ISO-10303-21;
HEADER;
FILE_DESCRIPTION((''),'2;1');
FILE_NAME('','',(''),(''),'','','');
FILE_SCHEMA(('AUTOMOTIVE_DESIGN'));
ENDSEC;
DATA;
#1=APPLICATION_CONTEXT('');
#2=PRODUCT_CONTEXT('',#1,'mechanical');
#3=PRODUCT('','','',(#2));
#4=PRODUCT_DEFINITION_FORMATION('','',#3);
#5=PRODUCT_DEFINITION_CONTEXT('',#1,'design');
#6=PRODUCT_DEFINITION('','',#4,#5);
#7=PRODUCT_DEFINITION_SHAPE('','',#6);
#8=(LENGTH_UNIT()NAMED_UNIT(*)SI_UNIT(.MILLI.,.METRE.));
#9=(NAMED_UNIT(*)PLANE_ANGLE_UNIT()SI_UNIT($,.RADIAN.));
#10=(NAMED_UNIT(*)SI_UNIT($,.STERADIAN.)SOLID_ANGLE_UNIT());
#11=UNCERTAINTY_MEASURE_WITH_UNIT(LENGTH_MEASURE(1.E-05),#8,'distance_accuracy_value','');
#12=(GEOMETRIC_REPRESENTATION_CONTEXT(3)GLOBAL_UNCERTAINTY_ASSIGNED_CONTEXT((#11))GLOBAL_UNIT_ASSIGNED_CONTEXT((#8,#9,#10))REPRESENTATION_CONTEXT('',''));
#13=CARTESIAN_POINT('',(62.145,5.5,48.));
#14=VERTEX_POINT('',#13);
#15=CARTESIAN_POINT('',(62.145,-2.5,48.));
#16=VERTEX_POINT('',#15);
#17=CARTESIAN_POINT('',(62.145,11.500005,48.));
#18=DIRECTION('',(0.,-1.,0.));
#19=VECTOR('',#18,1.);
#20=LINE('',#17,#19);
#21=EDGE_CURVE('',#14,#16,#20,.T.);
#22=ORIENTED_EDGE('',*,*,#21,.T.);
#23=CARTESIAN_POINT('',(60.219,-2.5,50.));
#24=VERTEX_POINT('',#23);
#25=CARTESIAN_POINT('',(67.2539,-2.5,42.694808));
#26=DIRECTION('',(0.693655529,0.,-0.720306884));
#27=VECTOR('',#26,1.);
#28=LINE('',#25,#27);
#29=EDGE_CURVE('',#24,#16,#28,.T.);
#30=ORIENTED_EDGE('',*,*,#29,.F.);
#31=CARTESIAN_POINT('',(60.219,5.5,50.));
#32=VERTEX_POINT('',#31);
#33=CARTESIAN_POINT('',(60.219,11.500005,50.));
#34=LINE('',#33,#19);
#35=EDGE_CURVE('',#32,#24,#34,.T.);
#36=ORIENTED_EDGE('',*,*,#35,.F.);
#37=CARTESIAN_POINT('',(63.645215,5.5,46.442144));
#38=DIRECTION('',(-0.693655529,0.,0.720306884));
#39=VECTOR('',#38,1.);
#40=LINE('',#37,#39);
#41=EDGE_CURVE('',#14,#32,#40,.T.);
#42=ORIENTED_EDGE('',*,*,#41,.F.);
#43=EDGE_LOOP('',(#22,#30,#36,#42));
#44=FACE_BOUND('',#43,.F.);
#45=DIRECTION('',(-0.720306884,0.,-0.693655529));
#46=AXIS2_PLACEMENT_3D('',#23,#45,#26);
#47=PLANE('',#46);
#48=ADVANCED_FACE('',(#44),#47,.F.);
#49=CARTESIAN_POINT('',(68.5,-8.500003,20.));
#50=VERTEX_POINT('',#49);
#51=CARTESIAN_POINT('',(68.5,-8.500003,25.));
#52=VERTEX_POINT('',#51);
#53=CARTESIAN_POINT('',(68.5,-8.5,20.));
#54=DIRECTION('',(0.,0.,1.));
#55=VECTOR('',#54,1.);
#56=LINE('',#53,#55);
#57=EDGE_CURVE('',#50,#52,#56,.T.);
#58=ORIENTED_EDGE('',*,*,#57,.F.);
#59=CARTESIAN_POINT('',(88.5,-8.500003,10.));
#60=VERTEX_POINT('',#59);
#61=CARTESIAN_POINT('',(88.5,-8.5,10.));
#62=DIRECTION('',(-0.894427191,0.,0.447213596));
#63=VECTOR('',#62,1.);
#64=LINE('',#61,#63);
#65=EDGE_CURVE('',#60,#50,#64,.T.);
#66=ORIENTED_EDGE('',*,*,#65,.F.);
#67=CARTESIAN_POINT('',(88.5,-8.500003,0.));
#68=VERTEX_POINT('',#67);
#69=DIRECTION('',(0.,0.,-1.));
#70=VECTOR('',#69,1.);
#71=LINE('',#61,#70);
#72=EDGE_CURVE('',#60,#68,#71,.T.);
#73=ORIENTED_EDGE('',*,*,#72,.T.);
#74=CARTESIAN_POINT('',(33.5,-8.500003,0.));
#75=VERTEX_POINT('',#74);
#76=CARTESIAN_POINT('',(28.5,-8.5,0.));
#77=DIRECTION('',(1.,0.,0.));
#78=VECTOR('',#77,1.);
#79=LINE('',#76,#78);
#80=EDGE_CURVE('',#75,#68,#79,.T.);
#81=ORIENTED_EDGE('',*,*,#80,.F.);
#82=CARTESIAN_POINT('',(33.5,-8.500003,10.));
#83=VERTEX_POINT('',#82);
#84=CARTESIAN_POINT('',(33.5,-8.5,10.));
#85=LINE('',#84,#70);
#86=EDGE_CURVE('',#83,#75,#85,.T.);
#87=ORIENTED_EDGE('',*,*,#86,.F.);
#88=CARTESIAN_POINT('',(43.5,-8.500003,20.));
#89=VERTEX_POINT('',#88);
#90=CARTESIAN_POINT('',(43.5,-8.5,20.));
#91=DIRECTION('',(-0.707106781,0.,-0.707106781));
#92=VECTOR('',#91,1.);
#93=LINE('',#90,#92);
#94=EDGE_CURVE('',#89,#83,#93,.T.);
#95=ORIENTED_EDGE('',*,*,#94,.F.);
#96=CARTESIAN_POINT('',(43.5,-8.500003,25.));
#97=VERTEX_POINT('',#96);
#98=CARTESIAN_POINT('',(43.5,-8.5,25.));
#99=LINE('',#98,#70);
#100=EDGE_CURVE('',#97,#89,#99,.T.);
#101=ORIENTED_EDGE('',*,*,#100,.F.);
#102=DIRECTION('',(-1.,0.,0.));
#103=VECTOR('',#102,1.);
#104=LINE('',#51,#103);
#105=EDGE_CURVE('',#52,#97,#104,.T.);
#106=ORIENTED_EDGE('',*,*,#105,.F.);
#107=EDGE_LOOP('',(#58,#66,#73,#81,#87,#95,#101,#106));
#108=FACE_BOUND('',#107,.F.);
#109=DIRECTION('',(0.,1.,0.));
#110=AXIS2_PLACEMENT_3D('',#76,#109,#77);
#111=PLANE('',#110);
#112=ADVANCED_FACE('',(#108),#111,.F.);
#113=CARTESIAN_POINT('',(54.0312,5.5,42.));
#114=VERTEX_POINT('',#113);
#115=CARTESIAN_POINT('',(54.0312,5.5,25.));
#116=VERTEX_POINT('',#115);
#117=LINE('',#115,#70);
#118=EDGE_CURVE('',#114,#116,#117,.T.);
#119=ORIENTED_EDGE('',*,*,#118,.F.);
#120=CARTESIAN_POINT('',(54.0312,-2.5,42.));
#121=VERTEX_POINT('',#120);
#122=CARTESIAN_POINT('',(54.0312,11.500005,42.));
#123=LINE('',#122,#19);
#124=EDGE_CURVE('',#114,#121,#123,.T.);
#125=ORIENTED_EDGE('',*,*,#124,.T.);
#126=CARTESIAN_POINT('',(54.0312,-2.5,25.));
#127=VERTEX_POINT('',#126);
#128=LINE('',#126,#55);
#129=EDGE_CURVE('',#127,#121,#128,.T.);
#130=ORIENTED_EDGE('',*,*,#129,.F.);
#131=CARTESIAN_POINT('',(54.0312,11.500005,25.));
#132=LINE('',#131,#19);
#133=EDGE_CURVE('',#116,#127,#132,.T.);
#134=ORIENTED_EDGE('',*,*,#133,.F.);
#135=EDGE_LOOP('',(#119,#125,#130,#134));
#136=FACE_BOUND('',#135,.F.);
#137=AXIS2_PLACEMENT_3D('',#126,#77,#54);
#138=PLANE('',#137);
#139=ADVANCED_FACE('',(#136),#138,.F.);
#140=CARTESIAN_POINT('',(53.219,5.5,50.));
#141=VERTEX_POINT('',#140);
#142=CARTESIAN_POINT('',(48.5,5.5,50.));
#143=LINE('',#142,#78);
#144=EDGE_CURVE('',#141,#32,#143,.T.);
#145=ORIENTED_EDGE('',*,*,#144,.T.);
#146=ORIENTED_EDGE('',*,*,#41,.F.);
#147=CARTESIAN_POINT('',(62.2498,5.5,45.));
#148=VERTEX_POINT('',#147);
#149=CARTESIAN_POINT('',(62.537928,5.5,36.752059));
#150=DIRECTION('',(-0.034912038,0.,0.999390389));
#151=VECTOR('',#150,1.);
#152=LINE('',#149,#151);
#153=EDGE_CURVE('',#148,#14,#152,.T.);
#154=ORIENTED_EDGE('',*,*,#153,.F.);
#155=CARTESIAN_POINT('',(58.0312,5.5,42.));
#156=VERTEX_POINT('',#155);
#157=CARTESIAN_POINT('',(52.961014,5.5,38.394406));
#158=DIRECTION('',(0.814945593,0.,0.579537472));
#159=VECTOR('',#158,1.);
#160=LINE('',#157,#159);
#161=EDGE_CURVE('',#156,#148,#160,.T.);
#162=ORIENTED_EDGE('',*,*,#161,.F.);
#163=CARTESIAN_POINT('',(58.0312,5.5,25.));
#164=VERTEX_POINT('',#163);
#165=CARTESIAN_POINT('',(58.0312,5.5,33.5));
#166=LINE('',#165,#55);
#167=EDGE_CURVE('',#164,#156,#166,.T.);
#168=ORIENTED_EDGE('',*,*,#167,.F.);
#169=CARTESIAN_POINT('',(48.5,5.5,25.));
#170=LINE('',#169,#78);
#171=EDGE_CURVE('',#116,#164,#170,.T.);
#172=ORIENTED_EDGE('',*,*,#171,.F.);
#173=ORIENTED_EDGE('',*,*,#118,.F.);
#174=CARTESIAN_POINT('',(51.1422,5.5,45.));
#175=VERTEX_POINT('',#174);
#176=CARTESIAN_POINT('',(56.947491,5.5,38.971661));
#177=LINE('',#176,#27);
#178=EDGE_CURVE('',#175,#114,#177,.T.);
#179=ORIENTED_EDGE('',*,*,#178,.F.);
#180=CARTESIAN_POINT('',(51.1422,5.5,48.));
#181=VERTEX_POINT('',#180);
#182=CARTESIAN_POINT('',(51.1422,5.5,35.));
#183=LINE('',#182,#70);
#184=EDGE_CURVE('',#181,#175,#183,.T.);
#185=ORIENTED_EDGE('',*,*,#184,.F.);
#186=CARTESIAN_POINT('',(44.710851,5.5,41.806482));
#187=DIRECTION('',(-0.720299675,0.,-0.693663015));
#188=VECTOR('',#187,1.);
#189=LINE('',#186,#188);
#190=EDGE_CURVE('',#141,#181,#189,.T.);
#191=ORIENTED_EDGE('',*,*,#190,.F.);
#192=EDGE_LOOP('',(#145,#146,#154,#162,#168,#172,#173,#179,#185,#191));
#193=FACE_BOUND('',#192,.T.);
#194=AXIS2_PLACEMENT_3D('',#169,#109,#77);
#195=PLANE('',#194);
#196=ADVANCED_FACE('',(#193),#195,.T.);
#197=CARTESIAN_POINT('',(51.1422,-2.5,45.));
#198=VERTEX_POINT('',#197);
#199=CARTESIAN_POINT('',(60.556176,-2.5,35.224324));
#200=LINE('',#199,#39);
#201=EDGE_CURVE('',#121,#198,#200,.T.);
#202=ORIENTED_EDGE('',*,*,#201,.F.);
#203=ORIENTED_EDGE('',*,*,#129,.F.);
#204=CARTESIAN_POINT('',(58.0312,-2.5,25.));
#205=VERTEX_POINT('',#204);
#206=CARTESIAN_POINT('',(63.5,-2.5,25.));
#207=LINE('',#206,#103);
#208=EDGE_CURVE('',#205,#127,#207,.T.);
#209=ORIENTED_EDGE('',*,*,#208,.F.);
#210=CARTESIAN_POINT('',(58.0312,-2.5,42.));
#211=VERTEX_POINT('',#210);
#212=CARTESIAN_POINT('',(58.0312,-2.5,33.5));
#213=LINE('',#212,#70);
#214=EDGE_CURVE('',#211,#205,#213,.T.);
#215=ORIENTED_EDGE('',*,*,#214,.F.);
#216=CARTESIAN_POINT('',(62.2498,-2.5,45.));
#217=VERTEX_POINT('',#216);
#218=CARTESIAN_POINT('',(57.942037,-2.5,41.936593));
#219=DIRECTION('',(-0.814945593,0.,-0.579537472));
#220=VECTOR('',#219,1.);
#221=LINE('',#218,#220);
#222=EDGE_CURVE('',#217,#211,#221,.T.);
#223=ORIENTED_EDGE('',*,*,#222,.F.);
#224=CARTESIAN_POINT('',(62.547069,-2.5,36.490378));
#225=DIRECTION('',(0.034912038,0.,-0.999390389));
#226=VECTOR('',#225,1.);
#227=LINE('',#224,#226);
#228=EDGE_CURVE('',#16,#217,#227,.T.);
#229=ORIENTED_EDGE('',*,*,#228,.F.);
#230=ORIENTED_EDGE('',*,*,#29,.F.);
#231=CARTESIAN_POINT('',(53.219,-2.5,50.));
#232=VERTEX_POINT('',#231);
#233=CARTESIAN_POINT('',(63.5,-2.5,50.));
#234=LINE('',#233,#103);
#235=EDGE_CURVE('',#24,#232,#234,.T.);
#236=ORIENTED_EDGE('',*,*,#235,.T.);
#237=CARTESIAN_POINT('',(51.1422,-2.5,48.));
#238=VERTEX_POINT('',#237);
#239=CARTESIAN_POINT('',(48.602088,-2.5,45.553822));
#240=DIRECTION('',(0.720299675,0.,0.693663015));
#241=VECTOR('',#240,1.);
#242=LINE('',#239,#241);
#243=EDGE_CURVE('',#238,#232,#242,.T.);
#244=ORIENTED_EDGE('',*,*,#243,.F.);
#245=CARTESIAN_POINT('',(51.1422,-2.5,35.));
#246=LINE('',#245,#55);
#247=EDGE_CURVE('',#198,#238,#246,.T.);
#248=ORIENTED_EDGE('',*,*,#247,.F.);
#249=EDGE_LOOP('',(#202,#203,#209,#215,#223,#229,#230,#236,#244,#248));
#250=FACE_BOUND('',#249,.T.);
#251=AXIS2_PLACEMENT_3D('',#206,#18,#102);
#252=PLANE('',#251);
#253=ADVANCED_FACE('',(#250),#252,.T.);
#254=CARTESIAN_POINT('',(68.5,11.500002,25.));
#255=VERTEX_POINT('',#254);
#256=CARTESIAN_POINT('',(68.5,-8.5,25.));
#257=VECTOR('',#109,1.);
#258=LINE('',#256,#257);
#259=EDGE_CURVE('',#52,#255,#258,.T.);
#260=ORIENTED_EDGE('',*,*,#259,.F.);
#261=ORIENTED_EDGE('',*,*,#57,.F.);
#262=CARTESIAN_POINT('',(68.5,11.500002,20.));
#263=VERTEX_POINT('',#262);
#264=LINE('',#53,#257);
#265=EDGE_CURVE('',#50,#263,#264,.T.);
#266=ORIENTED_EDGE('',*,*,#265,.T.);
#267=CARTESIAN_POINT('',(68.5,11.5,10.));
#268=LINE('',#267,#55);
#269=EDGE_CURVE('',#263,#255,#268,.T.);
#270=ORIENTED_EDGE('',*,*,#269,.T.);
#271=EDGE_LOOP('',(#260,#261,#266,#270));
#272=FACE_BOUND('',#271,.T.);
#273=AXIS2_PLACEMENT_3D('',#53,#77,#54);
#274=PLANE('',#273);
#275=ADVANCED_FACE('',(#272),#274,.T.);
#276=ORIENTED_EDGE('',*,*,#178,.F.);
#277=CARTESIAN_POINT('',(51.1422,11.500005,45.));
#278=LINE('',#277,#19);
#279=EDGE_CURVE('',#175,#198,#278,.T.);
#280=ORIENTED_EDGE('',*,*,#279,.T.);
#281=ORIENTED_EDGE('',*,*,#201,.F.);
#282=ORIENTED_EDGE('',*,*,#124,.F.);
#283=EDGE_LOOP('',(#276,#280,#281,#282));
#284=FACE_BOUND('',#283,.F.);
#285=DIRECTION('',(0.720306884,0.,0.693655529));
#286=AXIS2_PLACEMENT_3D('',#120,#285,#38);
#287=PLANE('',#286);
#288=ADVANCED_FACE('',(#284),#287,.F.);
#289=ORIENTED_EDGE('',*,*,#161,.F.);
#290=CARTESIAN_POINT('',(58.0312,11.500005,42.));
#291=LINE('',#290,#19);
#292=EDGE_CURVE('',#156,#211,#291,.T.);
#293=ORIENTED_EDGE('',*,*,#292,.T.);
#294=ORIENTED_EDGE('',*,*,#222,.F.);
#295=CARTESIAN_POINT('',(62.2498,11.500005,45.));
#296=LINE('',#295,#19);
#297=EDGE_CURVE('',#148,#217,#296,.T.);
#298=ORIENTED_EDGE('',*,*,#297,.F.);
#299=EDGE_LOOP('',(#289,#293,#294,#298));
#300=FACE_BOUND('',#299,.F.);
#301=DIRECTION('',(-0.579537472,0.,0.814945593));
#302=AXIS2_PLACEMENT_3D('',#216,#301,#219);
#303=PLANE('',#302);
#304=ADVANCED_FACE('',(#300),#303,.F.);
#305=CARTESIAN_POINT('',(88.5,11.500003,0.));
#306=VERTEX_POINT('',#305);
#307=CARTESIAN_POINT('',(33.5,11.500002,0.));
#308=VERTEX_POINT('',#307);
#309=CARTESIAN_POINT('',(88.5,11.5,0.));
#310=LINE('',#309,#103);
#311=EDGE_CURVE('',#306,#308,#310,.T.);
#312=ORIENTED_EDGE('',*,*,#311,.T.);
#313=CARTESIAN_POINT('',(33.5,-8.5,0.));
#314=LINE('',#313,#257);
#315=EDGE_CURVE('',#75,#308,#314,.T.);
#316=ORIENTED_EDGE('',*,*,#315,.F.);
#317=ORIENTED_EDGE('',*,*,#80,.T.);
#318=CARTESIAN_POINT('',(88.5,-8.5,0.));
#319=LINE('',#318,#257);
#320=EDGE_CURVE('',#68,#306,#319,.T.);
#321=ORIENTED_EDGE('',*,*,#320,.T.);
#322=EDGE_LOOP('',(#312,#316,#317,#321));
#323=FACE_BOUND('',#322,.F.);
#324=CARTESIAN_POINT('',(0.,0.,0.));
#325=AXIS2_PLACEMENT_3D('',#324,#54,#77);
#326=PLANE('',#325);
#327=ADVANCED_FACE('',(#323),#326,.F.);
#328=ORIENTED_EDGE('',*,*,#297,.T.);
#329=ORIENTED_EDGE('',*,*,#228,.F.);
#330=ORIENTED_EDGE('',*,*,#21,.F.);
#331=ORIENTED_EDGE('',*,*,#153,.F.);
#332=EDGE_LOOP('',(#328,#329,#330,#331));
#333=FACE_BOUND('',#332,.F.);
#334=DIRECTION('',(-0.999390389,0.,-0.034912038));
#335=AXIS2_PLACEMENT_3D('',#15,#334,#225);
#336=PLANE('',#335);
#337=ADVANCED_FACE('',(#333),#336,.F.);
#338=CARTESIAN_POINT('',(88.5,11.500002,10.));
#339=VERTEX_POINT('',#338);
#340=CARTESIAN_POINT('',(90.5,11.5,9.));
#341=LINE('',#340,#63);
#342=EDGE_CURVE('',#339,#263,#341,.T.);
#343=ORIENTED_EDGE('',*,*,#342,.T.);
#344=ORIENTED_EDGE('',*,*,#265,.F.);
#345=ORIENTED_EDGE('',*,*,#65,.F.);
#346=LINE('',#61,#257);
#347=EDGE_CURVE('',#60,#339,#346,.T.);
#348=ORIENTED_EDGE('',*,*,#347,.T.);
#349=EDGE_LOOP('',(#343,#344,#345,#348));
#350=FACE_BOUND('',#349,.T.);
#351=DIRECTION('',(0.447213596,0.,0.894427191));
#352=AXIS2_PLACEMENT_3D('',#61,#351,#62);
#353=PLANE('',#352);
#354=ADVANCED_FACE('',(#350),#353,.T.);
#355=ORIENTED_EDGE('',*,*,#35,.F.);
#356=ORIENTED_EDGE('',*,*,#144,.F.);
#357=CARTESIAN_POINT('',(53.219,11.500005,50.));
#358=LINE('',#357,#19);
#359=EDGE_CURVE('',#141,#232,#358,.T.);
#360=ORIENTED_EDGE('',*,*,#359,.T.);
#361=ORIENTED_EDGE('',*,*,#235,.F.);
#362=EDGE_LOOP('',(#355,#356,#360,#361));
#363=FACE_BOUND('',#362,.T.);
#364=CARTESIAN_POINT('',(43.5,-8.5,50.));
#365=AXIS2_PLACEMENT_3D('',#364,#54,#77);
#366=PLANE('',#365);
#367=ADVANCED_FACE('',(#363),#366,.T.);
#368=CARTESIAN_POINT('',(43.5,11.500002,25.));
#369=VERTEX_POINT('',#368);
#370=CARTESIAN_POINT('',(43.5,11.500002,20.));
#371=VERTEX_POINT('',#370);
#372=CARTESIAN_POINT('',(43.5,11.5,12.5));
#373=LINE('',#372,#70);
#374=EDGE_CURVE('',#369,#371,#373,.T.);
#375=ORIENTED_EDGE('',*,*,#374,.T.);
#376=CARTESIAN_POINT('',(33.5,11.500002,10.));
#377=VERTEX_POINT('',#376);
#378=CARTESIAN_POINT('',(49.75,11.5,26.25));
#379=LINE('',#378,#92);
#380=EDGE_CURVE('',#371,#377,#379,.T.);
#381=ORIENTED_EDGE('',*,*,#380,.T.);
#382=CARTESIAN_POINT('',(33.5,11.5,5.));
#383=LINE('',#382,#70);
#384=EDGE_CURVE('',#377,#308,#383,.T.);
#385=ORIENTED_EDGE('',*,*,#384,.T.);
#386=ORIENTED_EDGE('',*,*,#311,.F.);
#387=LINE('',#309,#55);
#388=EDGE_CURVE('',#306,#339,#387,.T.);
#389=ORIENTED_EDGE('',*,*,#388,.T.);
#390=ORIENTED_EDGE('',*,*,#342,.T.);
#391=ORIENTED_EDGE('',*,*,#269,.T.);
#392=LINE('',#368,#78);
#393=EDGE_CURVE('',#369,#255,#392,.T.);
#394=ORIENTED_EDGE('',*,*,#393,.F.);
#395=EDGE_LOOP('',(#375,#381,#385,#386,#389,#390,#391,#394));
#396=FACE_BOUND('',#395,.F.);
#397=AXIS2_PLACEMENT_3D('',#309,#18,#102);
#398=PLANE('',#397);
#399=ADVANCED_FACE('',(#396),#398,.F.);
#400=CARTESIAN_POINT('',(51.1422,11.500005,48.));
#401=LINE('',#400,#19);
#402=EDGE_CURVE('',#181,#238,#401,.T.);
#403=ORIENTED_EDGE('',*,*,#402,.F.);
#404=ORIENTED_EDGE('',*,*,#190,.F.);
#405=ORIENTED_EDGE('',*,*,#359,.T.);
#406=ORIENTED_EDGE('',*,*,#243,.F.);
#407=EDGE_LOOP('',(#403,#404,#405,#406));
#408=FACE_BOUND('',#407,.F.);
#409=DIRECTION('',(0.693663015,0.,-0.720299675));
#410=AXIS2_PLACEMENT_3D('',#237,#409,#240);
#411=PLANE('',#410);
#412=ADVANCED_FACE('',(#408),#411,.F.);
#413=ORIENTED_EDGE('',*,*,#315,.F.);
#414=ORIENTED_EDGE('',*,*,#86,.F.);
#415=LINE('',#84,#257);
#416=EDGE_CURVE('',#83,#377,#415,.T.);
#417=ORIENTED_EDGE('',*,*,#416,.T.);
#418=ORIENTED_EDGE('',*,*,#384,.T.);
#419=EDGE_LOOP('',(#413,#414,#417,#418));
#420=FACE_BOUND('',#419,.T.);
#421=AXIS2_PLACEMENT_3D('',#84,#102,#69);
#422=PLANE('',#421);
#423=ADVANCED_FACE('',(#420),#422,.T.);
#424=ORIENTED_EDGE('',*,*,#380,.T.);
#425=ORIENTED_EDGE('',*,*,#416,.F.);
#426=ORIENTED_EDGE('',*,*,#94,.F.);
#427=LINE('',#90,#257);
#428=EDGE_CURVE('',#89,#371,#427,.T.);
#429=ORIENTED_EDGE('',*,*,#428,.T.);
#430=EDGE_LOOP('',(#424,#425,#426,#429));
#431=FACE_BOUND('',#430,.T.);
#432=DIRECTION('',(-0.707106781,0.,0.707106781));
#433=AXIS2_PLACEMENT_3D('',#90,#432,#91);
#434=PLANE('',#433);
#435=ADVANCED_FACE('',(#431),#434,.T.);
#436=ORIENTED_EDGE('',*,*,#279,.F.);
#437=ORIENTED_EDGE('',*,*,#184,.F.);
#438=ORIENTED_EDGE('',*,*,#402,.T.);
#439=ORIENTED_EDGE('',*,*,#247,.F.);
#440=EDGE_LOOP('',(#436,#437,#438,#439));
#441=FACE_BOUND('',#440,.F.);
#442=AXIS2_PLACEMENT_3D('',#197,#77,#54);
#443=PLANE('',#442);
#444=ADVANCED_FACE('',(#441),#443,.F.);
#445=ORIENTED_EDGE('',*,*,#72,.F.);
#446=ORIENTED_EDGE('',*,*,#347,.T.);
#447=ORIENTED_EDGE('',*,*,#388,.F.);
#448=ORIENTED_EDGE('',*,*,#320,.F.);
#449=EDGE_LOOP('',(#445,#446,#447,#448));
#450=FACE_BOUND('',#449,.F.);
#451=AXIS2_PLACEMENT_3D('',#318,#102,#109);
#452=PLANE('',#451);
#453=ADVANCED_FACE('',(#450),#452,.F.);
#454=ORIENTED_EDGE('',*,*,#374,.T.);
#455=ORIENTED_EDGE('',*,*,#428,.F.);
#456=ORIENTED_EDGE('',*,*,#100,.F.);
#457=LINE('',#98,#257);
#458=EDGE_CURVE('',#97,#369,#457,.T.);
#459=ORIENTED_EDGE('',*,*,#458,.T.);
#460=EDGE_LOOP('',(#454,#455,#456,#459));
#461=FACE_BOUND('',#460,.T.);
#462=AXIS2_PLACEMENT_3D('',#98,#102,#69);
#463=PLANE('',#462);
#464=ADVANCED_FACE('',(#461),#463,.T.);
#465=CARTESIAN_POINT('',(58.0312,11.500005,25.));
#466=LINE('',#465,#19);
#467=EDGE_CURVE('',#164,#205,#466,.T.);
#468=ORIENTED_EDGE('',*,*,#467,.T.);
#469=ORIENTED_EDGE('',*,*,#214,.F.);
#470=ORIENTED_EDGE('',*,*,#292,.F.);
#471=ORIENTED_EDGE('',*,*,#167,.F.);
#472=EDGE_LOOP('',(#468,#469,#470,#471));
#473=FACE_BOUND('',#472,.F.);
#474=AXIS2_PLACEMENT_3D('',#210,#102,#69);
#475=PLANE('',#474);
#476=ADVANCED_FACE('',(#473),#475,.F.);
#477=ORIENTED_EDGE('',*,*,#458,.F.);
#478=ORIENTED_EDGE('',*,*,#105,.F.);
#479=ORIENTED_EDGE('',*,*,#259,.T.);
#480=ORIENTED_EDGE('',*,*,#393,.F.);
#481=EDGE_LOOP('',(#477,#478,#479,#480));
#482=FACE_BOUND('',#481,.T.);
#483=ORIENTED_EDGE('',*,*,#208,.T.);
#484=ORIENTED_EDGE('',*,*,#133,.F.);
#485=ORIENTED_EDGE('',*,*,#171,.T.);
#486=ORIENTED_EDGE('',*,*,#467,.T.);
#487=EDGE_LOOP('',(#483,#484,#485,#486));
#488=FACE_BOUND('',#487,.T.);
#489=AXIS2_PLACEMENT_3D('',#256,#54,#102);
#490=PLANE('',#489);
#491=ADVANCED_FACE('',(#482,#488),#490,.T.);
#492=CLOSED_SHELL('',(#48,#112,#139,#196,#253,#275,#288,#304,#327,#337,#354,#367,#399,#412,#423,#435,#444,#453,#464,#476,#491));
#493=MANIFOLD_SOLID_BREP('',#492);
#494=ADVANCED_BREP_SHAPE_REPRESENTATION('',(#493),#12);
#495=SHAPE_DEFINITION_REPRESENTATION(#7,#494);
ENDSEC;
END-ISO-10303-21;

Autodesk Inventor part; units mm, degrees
ref_plane "YZ Plane" through (0, 0, 0) normal (1, 0, 0) x (0, 1, 0)
ref_plane "XZ Plane" through (0, 0, 0) normal (0, 1, 0) x (-1, 0, 0)
ref_plane "XY Plane" through (0, 0, 0) normal (0, 0, 1) x (1, 0, 0)
sketch "Эскиз1" plane through (0, 0, 0) normal (0, 0, 1) x (1, 0, 0)
  arc A0 (113.5, 24) -> (93.5, 4) centre (113.5, 4) ccw projected
  arc A1 (93.5, -1) -> (113.5, -21) centre (113.5, -1) ccw projected
  line L0 (93.5, 4) -> (93.5, -1) projected
  line L1 (88.5, 11.5) -> (28.5, 11.5)
  line L2 (28.5, 11.5) -> (28.5, -8.5)
  line L3 (28.5, -8.5) -> (88.5, -8.5)
  line L4 (88.5, -8.5) -> (88.5, 11.5)
  line L5 (-123.5, 102) -> (-123.5, -102) projected
  line L6 (-123.5, -102) -> (123.5, -102) projected
  line L7 (123.5, -102) -> (123.5, -100.4305) projected
  line L8 (123.5, -100.4305) -> (123.5, 102) projected
  line L9 (123.5, 102) -> (-123.5, 102) projected
  point P0 (0, 0)
  point P1 (88.5, 1.5)
  point P2 (93.5, 1.5)
  dimension "d0" = 20
  dimension "d1" = 60
  dimension "d2" = 5
extrude "Выдавливание1" add sketch "Эскиз1" along normal blind 30 contours L4 L3 L2 L1
sketch "Эскиз2" plane through (28.5, -8.5, 0) normal (0, -1, 0) x (1, 0, 0)
  line L0 (0, 0) -> (60, 0) projected
  line L1 (60, 0) -> (60, 3.0763)
  line L2 (60, 3.0763) -> (60, 10)
  line L3 (60, 10) -> (40, 20)
  line L4 (40, 20) -> (40, 25)
  line L5 (40, 25) -> (15, 25)
  line L6 (15, 25) -> (15, 20)
  line L7 (15, 20) -> (5, 10)
  line L8 (5, 10) -> (5, 0)
  line L9 (60, 0) -> (60, 30) projected
  point P0 (-28.5, 0)
  dimension "d6" = 25
  dimension "d7" = 5
  dimension "d8" = 5
  dimension "d9" = 20
  dimension "d10" = 10
  dimension "d11" = 10
  dimension "d12" = 10
  dimension "d13" = 25
extrude "Выдавливание2" cut sketch "Эскиз2" against normal blind 30 keep common part
sketch "Эскиз3" plane through (43.5, -8.5, 25) normal (0, 0, 1) x (1, 0, 0)
  line L0 (5, 14) -> (20, 14)
  line L1 (20, 14) -> (20, 6)
  line L2 (20, 6) -> (5, 6)
  line L3 (5, 6) -> (5, 14)
  line L4 (25, 20) -> (0, 20) projected
  line L5 (0, 0) -> (0, 20) projected
  point P0 (-43.5, 8.5)
  dimension "d16" = 8
  dimension "d17" = 15
  dimension "d18" = 6
  dimension "d19" = 25
  dimension "d20" = 20
  dimension "d21" = 5
extrude "Выдавливание3" add sketch "Эскиз3" along normal blind 25
sketch "Эскиз4" plane through (48.5, -2.5, 25) normal (0, -1, 0) x (1, 0, 0)
  line L0 (15, 0) -> (0, 0) projected
  line L1 (5.5312, 0) -> (5.5312, 17)
  line L2 (5.5312, 17) -> (2.6422, 20)
  line L3 (2.6422, 20) -> (2.6422, 23)
  line L4 (2.6422, 23) -> (4.719, 25)
  line L5 (4.719, 25) -> (11.719, 25)
  line L6 (0, 25) -> (15, 25) projected
  line L7 (11.719, 25) -> (13.645, 23)
  line L8 (13.645, 23) -> (13.7498, 20)
  line L9 (13.7498, 20) -> (9.5312, 17)
  line L10 (9.5312, 17) -> (9.5312, 0)
  line L11 (-5, 0) -> (20, 0) projected
  line L12 (0, 0) -> (0, 25) projected
  line L13 (5.5312, 0) -> (9.5312, 0)
  line L14 (20, -5) -> (40, -15) projected
  line L15 (20, 0) -> (20, -5) projected
  line L16 (-5, 0) -> (20, 0) projected
  line L17 (-5, -5) -> (-5, 0) projected
  line L18 (-15, -15) -> (-5, -5) projected
  line L19 (-15, -25) -> (-15, -15) projected
  line L20 (-15, -25) -> (40, -25) projected
  line L21 (40, -25) -> (40, -15) projected
  point P0 (-48.5, -25)
  point P1 (9.5312, 0)
  dimension "d24" = 2
  dimension "d25" = 7
  dimension "d26" = 17
  dimension "d27" = 17
  dimension "d28" = 3
  dimension "d29" = 3
  dimension "d30" = 3
  dimension "d31" = 3
  dimension "d32" = 2
  dimension "d33" = 4
  dimension "d34" = 11.1076
  dimension "d35" = 2.6422
extrude "Выдавливание4" cut sketch "Эскиз4" against normal through all both and the other way through all contours L11 L15 L14 L21 L20 L19 L18 L17 L0 | L0 L1 L2 L3 L4 L5 L7 L8 L9 L10 keep common part
equation "\"d18\" = -0.5 * d16 + 0.5 * d20"
equation "\"d21\" = -0.5 * d17 + 0.5 * d19"
properties part number "ДИ 00.00.06"
